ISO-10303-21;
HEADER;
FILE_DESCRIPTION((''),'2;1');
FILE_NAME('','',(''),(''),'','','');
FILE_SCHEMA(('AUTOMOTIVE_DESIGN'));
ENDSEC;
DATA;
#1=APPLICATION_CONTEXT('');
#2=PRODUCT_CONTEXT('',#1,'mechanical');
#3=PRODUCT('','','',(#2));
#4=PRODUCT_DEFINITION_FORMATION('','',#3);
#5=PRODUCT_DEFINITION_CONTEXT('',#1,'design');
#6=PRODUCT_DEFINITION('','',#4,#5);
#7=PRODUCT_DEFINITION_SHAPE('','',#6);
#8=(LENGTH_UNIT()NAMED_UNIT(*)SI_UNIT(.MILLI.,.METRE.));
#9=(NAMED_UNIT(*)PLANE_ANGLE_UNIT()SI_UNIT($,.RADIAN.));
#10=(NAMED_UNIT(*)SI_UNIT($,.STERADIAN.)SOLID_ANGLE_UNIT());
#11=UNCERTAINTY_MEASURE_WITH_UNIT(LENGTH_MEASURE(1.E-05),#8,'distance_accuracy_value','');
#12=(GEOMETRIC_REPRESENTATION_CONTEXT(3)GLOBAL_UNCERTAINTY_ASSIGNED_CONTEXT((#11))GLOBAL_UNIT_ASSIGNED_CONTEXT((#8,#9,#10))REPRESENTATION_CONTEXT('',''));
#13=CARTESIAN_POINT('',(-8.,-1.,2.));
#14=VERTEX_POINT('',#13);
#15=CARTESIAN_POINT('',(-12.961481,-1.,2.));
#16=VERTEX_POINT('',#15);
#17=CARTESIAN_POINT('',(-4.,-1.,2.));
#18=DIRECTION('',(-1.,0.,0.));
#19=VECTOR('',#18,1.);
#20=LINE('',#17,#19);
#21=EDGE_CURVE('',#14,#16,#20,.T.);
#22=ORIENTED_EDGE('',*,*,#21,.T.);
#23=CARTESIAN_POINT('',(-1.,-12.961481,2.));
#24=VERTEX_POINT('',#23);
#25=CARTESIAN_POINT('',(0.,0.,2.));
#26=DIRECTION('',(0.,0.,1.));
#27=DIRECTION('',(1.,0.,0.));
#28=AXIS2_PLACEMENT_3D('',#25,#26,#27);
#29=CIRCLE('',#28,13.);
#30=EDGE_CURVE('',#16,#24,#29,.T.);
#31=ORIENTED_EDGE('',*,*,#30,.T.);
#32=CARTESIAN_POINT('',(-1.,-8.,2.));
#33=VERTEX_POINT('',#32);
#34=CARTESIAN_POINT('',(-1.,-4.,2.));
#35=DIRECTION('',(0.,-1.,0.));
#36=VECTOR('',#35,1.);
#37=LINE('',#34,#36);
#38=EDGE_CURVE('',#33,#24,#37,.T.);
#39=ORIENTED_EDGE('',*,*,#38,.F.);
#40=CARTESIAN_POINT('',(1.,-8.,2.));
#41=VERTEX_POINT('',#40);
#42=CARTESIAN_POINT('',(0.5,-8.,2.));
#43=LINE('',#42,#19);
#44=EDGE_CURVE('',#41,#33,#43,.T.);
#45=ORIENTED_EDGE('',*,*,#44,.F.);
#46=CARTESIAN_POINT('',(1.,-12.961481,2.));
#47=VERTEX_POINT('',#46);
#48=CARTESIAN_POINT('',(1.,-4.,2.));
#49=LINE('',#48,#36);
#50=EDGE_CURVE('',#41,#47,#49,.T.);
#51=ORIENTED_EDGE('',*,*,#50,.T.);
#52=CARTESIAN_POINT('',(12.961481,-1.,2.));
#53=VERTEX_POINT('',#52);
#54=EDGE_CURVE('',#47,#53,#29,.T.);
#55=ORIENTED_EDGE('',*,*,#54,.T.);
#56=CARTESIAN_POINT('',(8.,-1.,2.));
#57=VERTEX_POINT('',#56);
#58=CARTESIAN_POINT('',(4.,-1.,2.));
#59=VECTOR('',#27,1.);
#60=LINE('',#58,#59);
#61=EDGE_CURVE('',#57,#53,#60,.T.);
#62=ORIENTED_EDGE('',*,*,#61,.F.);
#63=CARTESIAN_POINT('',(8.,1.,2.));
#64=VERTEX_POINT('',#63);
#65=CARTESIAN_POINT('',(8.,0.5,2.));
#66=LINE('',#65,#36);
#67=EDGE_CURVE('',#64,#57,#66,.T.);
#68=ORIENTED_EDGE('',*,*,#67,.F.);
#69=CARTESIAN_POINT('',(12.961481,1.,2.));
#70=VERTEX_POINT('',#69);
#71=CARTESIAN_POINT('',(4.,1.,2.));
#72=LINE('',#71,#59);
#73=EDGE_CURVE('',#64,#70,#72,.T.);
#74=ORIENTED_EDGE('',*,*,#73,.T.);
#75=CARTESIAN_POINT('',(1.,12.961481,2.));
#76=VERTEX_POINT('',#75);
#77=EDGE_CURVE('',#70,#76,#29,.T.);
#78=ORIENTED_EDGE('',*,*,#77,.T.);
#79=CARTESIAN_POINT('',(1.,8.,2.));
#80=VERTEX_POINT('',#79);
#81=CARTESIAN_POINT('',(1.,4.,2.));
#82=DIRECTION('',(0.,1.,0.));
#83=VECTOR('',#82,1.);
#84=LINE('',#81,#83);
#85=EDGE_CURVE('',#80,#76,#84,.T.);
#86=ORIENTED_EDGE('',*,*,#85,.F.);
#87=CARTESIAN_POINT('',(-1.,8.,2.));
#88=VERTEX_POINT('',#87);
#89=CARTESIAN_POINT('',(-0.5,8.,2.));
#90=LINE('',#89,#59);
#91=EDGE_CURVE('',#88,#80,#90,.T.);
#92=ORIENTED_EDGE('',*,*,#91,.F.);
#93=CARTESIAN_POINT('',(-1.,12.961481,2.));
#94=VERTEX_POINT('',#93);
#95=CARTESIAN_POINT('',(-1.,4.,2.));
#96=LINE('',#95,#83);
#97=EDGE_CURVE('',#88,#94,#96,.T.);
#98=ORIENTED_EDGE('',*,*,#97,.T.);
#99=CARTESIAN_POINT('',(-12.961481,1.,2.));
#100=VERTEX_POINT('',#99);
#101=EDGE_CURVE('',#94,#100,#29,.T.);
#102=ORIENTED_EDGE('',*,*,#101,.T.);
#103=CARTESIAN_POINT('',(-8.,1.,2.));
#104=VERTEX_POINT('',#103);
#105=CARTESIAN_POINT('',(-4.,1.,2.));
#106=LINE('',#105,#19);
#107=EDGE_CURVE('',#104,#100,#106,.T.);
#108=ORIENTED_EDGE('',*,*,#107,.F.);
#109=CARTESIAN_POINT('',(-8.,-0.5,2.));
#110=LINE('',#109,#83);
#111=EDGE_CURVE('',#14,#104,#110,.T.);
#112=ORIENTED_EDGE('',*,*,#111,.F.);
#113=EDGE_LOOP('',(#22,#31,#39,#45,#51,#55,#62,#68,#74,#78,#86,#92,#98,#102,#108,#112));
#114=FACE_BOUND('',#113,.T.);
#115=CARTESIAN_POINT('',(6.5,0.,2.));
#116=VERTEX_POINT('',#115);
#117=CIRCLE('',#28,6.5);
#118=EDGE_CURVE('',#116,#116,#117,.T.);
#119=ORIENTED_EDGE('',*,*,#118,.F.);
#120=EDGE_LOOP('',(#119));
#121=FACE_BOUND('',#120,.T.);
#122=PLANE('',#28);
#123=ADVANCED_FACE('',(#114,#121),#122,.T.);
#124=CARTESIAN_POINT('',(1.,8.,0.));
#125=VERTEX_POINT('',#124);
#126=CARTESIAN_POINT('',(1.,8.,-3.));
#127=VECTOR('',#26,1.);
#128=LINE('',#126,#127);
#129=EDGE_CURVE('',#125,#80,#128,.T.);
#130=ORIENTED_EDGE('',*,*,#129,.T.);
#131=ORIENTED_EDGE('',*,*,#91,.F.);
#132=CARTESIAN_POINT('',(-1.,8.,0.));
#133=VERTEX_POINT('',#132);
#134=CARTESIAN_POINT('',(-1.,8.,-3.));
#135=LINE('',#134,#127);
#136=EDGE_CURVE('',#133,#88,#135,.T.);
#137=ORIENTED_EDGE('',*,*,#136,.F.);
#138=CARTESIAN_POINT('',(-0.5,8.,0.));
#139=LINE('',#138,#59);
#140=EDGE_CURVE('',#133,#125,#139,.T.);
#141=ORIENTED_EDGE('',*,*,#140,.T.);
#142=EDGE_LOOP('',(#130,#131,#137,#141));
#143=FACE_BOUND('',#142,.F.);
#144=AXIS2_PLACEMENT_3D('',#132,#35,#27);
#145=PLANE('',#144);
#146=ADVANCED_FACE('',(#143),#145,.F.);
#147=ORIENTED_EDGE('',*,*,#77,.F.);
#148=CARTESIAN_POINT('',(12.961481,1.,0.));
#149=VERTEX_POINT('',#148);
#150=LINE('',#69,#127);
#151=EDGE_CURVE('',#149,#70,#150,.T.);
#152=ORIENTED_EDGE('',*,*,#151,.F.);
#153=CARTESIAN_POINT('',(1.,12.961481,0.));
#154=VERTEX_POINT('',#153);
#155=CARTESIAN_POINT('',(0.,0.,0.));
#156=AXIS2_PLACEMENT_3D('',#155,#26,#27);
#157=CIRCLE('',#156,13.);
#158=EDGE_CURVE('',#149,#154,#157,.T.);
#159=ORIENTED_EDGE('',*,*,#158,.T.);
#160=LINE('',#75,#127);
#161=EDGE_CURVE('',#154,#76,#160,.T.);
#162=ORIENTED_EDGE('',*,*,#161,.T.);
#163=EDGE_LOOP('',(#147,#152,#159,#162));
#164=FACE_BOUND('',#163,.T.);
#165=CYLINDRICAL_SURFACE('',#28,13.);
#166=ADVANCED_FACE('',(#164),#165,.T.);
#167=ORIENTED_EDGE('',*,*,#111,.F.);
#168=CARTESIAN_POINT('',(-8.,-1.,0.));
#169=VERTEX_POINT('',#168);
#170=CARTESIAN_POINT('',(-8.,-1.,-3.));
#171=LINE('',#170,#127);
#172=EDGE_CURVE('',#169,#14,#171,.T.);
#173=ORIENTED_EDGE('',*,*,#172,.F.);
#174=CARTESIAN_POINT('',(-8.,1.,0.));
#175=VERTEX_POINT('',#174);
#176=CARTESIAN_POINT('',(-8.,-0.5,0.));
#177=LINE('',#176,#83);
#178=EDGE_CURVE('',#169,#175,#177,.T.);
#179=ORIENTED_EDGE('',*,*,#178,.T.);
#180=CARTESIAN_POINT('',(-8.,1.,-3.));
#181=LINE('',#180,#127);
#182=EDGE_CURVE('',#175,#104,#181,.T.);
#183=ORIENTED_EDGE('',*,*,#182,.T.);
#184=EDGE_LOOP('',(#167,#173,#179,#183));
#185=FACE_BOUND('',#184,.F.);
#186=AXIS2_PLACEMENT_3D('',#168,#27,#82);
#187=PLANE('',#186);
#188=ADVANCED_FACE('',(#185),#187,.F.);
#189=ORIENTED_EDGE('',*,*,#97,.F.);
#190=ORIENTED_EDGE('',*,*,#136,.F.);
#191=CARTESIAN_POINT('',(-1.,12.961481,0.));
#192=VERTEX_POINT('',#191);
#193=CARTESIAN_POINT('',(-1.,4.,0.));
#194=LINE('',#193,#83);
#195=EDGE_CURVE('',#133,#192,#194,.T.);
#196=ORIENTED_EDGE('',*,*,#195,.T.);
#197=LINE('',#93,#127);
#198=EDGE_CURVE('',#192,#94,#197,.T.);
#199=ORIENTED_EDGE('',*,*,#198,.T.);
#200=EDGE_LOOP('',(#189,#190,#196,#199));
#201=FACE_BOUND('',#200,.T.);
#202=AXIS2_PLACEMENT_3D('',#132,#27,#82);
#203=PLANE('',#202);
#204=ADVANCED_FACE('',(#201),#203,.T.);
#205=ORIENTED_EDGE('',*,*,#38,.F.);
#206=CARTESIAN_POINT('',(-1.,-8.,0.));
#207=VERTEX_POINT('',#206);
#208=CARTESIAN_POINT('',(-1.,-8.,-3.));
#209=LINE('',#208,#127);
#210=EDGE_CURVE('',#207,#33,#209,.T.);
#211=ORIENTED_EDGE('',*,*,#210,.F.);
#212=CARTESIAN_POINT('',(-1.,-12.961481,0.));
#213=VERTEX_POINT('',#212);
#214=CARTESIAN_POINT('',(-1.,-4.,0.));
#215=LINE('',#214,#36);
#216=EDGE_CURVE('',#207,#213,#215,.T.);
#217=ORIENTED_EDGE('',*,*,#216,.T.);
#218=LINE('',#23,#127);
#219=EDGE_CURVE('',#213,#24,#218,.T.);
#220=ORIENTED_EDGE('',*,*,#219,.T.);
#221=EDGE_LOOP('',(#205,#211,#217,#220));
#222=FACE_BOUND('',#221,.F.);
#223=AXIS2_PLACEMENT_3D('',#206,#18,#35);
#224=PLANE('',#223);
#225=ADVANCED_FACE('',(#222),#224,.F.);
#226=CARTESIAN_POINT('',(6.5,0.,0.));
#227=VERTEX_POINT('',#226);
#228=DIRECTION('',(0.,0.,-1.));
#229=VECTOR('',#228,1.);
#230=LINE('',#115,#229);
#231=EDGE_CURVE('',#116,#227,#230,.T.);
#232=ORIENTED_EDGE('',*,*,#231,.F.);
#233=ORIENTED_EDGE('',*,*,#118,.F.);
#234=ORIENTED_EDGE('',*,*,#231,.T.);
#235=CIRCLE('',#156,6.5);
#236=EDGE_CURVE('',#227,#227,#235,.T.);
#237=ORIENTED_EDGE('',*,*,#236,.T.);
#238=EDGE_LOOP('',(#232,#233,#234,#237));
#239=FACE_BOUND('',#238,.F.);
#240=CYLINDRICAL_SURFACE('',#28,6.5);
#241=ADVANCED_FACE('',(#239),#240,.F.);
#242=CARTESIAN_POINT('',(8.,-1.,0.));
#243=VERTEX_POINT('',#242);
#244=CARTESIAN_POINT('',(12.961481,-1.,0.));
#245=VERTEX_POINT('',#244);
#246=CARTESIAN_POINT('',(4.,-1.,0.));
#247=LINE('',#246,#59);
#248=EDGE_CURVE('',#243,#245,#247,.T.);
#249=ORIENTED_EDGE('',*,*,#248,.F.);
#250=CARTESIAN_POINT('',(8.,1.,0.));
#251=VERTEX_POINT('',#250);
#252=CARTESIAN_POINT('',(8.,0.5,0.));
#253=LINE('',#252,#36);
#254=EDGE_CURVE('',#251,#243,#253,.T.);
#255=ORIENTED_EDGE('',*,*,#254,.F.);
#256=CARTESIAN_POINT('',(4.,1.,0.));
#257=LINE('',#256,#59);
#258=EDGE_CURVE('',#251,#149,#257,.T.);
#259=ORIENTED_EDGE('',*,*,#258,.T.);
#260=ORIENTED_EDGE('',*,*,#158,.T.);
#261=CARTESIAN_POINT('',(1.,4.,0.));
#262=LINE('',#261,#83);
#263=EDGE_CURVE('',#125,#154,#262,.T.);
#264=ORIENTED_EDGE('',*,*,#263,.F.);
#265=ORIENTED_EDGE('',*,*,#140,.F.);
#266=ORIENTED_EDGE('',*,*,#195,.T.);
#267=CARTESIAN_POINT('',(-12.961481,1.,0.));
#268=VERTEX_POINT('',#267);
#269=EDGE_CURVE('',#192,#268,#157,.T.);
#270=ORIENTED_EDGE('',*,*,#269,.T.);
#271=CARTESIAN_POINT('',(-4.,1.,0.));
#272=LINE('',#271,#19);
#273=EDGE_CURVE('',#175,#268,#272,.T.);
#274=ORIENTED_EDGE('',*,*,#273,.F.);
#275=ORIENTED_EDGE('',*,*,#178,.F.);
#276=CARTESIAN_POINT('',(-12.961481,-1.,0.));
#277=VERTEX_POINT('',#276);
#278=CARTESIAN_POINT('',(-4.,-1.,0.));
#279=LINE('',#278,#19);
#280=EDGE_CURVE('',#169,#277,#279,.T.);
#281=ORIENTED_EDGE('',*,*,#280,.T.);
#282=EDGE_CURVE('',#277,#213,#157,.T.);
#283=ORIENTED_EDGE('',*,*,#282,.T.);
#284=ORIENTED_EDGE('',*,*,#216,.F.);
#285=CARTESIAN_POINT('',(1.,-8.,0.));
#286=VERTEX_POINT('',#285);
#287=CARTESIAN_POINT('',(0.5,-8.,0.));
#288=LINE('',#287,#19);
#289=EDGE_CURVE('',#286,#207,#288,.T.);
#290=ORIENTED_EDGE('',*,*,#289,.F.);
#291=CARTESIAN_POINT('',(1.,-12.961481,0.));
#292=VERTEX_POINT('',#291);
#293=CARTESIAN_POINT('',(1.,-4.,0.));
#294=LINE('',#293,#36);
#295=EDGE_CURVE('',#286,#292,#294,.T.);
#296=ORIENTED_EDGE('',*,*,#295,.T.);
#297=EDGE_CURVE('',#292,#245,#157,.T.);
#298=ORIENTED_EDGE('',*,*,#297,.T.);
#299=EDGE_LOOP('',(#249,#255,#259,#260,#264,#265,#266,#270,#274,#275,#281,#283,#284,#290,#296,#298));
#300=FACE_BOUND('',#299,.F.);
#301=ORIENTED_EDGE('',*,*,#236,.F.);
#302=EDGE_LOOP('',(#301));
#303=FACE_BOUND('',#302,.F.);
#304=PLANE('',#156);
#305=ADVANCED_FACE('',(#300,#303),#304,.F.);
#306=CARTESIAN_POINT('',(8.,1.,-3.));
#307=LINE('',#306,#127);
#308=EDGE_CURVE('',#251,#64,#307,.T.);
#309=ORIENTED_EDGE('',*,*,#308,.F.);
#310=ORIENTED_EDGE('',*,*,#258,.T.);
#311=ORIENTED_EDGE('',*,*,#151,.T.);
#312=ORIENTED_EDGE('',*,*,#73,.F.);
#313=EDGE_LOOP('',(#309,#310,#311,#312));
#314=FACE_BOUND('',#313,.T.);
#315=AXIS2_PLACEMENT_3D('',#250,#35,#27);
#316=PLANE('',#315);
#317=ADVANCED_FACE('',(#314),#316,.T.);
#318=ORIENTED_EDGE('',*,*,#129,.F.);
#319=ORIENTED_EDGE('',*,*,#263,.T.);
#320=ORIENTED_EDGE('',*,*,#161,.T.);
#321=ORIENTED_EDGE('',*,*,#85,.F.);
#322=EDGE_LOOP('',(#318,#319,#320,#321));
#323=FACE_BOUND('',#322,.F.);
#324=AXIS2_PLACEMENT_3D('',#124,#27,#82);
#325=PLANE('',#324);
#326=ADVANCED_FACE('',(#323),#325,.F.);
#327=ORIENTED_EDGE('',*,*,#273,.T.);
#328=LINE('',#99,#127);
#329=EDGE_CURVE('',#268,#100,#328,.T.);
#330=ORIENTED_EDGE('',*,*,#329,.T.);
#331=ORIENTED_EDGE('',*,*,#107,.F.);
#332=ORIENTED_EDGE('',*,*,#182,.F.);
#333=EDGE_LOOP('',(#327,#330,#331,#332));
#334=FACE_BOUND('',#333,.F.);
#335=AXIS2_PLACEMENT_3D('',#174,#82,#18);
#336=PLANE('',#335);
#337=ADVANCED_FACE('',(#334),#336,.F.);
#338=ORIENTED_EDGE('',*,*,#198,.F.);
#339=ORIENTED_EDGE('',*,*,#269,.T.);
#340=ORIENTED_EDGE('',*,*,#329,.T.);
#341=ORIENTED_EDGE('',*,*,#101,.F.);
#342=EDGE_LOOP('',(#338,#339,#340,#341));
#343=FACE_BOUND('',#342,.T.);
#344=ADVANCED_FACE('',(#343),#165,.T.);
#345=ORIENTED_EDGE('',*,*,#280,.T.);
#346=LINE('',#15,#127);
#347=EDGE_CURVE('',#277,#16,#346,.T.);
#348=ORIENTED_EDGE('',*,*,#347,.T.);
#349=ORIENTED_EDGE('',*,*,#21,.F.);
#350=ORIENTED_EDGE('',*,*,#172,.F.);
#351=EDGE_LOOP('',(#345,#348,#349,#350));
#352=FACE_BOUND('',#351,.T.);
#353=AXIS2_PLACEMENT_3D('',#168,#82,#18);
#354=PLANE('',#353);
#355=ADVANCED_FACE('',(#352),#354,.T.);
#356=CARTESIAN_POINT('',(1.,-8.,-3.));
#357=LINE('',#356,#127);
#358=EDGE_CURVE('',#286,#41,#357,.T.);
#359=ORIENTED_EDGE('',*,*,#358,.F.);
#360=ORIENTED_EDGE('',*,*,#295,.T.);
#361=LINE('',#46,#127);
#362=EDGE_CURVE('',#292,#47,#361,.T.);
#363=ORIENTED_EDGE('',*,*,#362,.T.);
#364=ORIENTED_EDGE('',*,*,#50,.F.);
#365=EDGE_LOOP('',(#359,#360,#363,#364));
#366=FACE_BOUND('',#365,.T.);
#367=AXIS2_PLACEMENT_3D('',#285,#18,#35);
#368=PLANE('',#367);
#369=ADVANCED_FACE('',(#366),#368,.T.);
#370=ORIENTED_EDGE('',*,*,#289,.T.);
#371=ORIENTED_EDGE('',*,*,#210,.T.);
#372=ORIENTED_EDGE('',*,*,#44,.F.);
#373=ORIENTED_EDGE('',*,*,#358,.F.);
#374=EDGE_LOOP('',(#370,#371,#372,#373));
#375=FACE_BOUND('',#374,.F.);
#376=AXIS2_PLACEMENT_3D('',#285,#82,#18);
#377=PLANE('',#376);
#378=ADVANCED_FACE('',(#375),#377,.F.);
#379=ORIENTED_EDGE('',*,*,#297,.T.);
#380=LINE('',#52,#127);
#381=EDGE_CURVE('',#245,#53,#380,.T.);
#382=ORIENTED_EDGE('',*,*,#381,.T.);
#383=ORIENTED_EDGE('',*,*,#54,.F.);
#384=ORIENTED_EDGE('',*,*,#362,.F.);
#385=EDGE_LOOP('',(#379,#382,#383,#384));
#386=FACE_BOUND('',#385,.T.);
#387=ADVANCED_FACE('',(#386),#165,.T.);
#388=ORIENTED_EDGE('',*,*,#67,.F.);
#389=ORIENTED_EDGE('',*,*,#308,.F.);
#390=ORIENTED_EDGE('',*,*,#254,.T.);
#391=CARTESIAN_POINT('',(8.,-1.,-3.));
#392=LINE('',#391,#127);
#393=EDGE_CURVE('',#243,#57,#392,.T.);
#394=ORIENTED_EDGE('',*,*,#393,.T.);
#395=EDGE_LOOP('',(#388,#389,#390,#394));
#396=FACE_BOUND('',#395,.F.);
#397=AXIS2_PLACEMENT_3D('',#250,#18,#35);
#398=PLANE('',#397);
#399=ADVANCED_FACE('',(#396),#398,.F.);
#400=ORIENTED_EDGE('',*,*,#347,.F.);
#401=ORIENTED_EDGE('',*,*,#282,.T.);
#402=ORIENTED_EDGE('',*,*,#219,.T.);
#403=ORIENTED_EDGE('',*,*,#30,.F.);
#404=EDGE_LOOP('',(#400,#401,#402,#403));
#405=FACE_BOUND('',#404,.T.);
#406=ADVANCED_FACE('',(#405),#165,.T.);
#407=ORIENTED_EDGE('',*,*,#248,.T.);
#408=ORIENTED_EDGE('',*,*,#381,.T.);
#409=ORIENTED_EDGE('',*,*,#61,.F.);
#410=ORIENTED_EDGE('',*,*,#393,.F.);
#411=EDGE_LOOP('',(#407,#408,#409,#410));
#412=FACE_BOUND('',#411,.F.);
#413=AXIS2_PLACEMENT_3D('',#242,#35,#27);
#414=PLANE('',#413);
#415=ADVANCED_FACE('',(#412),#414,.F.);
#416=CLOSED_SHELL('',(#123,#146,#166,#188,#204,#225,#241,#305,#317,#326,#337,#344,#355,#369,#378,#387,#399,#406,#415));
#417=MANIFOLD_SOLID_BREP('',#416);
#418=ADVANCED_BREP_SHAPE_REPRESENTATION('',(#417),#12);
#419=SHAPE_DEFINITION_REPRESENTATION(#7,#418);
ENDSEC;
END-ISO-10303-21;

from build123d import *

# Parameters (mm, degrees)
SKETCH003_R           = 2.3
SKETCH003_W           = 2
SKETCH003_H           = 5
EXTRUDE003_DEPTH      = 5
EXTRUDE003_DEPTH_BACK = 3
ARRAY001_COUNT        = 4
SKETCH012_R           = 13
SKETCH012_R_2         = 6.5
EXTRUDE012_DEPTH      = 2


with BuildPart() as body:
    # Sketch003 → Extrude003 (new body, two sides)
    with BuildSketch(Plane.XY) as extrude003_sk:
        with Locations((0, 38.25)):
            Circle(SKETCH003_R)
        with Locations((0, 10.5)):
            Rectangle(SKETCH003_W, SKETCH003_H)
    extrude(amount=EXTRUDE003_DEPTH)
    extrude(extrude003_sk.sketch, amount=-EXTRUDE003_DEPTH_BACK)

    # Array001: Body ×4 about axis
    array001_axis = Axis((0, 0, 0), (0, 0, 1))


with BuildPart() as body_1:
    add(body.part)
    for i in range(1, ARRAY001_COUNT):
        add(body.part.rotate(array001_axis, i * 360 / ARRAY001_COUNT))


with BuildPart() as cut003:
    # Sketch012 → Extrude012 (new body)
    with BuildSketch(Plane.XY.offset(2)):
        Circle(SKETCH012_R)
        Circle(SKETCH012_R_2, mode=Mode.SUBTRACT)
    extrude(amount=-EXTRUDE012_DEPTH)

    # Cut003: cut Body
    add(body_1.part, mode=Mode.SUBTRACT)


solid = cut003.part
